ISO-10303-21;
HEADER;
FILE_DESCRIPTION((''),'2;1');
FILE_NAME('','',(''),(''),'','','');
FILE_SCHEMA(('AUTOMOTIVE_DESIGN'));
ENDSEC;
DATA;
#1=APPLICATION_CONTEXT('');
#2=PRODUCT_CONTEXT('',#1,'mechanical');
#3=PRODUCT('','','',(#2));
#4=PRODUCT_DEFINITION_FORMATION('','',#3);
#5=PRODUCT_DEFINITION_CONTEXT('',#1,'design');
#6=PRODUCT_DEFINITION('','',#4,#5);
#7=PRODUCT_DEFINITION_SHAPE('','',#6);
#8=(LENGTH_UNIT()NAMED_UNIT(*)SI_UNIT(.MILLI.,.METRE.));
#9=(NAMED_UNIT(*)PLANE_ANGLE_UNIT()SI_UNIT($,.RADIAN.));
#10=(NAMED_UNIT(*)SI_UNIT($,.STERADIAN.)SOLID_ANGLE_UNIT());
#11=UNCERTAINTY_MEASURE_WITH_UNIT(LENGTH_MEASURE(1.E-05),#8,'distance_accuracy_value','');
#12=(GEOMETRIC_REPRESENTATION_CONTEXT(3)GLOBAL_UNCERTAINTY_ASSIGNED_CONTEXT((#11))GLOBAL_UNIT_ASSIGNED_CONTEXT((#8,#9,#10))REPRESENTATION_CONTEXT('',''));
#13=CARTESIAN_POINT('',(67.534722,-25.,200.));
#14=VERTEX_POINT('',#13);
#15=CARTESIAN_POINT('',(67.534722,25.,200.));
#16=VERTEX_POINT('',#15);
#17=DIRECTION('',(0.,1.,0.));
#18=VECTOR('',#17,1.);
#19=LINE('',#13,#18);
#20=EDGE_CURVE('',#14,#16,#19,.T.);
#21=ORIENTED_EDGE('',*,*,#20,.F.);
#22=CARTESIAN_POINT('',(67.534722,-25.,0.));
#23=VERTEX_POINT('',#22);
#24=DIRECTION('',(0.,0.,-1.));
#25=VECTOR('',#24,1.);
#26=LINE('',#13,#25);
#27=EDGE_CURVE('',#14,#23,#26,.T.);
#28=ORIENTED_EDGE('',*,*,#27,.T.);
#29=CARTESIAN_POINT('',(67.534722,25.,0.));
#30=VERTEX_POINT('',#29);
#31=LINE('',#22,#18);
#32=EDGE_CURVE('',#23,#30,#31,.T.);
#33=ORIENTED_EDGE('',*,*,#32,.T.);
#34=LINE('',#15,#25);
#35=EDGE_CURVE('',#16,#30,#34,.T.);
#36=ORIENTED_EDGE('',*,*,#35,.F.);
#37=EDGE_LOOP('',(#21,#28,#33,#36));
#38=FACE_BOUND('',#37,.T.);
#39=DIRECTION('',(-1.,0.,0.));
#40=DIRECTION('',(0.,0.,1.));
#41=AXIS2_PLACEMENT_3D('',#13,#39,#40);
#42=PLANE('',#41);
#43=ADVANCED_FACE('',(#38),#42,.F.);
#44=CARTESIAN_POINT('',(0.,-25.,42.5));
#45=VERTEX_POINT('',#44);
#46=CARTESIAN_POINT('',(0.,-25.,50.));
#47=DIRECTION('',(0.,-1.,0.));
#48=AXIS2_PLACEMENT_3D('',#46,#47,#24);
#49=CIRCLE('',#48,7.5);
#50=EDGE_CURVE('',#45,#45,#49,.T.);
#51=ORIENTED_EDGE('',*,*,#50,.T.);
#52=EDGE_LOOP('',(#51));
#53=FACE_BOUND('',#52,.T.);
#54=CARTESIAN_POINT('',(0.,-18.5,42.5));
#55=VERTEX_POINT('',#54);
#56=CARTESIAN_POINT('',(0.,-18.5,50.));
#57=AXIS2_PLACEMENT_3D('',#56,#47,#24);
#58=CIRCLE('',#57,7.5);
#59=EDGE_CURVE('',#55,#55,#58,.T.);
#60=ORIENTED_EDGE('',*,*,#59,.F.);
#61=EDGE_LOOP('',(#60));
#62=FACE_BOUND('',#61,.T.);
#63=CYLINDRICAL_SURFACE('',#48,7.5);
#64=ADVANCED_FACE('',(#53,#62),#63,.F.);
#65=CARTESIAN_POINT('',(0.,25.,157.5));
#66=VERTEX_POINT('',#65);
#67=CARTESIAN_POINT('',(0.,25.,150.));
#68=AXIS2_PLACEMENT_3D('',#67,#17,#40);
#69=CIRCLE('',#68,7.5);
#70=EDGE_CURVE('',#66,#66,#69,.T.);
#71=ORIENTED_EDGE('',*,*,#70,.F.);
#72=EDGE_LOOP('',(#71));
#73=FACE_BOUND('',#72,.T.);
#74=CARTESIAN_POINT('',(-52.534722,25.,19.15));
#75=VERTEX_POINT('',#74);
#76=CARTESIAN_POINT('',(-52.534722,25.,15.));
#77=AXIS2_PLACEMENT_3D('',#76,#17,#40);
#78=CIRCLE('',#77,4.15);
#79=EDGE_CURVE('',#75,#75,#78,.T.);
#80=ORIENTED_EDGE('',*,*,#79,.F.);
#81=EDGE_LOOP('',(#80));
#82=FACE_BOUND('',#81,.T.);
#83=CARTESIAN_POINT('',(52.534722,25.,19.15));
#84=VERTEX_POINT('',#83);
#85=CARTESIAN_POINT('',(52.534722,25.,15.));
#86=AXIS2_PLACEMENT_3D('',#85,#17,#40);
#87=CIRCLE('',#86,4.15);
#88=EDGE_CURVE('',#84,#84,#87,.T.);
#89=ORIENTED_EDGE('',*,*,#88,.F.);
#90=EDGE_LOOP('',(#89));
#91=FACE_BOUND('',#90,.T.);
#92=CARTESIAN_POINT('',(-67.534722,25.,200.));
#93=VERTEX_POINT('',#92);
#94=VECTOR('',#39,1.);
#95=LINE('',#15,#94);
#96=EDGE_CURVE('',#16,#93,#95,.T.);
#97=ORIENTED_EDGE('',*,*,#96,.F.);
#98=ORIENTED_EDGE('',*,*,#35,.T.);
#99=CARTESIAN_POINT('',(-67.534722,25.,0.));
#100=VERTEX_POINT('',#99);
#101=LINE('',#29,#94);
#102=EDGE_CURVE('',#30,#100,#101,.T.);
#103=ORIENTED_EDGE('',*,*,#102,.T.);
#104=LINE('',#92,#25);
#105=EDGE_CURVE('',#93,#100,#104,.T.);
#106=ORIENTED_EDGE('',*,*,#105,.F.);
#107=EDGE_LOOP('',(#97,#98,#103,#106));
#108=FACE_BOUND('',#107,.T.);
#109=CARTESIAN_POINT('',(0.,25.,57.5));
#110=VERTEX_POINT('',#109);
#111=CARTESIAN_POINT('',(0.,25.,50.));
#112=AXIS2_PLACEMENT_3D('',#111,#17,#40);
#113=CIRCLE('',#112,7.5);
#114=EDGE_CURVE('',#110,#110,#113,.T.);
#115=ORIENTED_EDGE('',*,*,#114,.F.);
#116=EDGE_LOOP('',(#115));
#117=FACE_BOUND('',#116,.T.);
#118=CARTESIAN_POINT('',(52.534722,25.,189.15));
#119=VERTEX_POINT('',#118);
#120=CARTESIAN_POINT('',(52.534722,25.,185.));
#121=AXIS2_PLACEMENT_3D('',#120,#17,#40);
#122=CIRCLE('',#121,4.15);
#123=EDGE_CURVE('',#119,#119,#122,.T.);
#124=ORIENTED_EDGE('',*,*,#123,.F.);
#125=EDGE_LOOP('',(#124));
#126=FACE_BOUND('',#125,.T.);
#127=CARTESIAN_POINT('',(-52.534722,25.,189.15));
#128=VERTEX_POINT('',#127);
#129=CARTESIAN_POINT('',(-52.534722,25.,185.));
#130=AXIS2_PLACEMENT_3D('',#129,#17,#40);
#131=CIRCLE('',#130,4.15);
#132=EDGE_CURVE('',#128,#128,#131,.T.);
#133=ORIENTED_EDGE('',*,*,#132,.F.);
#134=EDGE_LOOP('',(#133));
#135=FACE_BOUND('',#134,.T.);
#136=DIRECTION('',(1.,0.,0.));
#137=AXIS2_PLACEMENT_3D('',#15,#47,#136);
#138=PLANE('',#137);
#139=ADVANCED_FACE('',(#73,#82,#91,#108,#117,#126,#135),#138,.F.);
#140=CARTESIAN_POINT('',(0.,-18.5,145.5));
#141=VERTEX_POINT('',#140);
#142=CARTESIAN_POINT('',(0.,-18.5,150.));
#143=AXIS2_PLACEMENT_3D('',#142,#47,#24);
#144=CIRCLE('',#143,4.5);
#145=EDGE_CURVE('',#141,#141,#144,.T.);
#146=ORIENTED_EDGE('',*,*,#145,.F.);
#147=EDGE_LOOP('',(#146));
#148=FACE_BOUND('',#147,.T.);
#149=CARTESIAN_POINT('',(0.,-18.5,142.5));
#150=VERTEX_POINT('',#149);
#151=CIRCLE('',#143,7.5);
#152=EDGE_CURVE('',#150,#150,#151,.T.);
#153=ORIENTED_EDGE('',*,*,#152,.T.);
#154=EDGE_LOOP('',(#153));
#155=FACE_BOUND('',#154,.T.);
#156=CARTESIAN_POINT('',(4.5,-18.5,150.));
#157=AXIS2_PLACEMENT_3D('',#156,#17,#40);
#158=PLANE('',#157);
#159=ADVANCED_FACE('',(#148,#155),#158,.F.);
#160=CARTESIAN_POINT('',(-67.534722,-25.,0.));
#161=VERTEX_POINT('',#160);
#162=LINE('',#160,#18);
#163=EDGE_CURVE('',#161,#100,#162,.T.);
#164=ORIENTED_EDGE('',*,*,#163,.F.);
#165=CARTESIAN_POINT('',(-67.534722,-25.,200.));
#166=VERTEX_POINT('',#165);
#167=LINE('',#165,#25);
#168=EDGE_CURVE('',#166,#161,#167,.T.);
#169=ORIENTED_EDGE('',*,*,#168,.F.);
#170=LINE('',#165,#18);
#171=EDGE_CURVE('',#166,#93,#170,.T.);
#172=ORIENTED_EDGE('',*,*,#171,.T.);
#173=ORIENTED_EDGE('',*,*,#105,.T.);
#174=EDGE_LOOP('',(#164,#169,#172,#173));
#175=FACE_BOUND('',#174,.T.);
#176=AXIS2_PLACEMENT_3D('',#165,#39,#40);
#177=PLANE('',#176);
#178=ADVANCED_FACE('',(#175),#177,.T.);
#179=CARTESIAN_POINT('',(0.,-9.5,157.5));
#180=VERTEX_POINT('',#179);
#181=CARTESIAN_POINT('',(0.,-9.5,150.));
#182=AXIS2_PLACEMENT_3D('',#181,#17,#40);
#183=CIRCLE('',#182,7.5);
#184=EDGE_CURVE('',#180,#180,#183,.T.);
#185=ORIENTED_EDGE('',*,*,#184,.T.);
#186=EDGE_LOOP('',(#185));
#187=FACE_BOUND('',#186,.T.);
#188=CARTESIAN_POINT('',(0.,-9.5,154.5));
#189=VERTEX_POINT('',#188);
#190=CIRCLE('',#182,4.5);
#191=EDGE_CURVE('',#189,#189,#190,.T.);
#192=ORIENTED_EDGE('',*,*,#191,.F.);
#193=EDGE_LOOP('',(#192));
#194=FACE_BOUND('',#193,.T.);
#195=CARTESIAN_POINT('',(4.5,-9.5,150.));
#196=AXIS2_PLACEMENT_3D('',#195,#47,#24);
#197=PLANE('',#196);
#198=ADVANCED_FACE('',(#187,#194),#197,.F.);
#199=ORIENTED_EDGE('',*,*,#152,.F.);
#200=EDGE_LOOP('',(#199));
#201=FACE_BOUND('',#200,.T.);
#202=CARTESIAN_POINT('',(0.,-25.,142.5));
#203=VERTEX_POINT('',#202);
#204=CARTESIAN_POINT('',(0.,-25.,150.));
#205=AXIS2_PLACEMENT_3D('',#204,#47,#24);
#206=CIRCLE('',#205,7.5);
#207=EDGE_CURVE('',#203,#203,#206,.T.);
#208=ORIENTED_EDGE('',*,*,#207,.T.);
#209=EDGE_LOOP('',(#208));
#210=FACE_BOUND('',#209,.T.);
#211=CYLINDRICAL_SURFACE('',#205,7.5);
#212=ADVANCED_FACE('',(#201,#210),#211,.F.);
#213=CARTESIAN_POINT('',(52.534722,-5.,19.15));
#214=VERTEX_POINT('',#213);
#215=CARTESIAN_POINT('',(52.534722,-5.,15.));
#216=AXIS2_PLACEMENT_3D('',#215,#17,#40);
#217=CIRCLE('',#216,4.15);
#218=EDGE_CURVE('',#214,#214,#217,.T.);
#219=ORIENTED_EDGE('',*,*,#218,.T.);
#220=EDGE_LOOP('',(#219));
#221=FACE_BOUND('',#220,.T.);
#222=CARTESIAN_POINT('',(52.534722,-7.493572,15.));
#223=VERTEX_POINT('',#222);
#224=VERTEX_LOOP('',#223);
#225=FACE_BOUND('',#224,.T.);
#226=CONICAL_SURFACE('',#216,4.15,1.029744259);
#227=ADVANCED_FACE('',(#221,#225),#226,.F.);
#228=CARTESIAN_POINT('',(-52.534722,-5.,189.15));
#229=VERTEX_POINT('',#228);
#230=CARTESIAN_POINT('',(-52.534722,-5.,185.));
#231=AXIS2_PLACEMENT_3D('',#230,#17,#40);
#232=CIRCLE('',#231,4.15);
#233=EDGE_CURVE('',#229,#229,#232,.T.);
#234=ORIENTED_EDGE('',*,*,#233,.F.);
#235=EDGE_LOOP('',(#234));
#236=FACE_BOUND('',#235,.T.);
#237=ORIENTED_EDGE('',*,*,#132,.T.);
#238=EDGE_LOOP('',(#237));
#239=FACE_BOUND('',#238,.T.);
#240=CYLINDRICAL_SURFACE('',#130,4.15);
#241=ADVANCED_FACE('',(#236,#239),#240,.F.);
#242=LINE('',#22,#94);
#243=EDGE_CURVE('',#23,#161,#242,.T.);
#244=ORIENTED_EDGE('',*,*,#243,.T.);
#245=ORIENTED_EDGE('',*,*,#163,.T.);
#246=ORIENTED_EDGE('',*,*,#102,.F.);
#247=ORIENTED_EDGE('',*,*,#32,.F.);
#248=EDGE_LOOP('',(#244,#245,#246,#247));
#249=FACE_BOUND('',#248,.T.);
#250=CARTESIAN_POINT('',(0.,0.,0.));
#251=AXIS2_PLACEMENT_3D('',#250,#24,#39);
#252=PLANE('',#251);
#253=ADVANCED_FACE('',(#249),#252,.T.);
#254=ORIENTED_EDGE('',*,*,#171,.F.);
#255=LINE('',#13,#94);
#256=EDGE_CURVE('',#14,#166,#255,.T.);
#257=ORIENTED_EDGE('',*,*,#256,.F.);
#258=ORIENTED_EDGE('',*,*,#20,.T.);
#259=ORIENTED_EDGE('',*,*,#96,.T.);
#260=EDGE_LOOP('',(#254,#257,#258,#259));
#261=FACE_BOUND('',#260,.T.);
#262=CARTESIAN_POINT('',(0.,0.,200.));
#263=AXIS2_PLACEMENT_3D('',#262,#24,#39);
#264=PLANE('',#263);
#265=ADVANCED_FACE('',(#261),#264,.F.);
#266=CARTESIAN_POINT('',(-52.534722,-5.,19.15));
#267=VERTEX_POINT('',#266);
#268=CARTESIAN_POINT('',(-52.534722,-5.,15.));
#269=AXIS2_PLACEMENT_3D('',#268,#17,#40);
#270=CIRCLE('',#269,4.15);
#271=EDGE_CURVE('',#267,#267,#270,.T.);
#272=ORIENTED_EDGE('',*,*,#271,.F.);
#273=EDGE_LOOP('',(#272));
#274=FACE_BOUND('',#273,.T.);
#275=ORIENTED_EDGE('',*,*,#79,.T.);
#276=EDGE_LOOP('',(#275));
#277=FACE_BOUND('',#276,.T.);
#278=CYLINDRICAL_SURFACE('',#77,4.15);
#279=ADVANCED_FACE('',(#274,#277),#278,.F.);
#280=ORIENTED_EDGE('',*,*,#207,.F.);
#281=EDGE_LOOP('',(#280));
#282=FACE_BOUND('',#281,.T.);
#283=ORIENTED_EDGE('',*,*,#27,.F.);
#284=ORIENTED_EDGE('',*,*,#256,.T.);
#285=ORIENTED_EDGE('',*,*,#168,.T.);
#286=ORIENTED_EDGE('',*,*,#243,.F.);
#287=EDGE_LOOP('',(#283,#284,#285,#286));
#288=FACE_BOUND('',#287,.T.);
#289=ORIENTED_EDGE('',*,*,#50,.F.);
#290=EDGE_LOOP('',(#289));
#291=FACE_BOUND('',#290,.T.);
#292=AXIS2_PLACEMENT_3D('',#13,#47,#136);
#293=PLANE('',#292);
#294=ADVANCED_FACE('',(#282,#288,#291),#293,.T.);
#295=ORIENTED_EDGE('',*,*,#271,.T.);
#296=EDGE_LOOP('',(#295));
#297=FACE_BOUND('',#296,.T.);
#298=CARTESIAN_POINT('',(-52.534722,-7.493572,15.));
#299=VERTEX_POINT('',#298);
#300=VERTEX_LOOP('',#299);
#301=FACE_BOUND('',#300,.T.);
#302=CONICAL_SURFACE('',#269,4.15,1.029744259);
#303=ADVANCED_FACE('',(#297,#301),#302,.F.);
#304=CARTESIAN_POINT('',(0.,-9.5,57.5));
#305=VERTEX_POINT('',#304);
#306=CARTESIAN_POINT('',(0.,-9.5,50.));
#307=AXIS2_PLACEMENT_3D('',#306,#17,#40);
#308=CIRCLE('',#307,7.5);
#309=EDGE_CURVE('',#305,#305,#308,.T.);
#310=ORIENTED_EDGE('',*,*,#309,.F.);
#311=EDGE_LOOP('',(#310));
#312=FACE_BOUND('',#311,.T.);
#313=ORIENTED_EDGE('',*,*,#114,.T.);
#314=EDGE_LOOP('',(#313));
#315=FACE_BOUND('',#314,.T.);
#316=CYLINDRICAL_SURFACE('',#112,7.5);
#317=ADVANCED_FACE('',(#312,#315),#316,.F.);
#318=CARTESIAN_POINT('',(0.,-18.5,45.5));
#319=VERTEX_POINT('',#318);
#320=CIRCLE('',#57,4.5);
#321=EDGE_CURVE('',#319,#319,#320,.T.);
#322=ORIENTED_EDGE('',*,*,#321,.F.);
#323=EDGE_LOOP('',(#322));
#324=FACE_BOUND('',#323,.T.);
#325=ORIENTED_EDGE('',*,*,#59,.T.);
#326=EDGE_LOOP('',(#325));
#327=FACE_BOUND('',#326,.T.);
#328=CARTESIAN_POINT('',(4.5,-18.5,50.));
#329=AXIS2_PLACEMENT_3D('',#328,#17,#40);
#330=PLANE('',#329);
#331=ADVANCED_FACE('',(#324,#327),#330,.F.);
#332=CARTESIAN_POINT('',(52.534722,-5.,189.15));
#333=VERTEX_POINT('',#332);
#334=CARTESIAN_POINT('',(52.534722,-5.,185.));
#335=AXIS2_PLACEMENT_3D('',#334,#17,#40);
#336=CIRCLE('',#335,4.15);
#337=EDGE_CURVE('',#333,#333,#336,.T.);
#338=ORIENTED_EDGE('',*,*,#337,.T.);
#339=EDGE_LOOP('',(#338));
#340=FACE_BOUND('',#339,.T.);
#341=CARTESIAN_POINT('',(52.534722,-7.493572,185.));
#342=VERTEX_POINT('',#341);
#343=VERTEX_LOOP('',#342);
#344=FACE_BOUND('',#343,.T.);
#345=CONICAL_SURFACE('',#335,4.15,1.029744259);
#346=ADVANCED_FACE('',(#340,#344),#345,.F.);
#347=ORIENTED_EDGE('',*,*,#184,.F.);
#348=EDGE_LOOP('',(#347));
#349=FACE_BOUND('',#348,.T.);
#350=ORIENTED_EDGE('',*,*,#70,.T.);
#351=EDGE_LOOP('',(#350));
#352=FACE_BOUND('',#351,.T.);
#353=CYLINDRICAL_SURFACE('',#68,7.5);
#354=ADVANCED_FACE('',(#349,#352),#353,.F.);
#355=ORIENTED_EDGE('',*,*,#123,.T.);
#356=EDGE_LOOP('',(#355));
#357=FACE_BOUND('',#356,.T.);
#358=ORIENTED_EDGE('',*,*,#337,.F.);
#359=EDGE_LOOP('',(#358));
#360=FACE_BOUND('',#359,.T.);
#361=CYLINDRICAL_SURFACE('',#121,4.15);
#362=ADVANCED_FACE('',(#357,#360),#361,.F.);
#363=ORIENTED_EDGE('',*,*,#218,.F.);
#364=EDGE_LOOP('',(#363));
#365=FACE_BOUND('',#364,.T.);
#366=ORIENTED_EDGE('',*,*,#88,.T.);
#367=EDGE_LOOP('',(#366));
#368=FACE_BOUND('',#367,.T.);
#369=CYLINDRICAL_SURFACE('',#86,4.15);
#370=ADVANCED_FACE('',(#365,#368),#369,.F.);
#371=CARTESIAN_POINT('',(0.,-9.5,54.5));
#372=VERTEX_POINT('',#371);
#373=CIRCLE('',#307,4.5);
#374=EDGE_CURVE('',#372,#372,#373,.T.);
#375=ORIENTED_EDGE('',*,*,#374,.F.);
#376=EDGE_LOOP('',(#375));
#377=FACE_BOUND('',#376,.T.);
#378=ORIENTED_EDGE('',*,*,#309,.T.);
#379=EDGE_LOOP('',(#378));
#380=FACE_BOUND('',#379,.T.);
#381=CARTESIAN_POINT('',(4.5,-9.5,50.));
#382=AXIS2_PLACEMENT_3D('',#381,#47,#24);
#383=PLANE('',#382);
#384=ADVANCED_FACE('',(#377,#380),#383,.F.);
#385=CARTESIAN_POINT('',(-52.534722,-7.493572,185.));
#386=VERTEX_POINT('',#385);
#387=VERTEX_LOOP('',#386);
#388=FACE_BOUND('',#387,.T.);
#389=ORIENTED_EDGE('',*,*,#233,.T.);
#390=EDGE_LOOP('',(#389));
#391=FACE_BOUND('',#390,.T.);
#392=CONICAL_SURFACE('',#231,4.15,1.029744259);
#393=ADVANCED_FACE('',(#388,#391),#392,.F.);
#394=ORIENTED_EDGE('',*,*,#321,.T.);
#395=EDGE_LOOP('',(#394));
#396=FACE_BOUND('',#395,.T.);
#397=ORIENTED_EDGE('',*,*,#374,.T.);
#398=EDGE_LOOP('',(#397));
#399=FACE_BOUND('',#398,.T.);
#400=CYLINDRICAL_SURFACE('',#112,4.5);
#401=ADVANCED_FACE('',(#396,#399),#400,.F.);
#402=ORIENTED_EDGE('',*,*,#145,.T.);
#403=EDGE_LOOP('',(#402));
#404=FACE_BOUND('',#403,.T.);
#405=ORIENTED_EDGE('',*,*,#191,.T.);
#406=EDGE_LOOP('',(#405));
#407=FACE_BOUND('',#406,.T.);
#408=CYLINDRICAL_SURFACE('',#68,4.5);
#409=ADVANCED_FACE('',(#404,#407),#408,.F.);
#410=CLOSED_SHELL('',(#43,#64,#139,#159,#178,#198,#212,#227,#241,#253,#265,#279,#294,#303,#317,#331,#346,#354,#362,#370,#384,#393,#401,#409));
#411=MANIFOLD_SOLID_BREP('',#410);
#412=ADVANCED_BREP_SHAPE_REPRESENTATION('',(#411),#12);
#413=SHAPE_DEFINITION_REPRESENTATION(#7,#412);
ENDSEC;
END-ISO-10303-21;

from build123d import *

# Parameters (mm, degrees)
SKIZZE1_W                                           = 135.069444444
SKIZZE1_H                                           = 50
AUFSATZ_LINEAR_AUSTRAGEN1_DEPTH                     = 200
STIRNSENKUNG_F_R_M8_SENKSCHRAUBE_KOPF_B_D           = 9
STIRNSENKUNG_F_R_M8_SENKSCHRAUBE_KOPF_B_CBORE_D     = 15
STIRNSENKUNG_F_R_M8_SENKSCHRAUBE_KOPF_B_CBORE_DEPTH = 34.5
STIRNSENKUNG_F_R_M8_SENKSCHRAUBE_KO_2_D             = 9
STIRNSENKUNG_F_R_M8_SENKSCHRAUBE_KO_2_DEPTH         = 50
STIRNSENKUNG_F_R_M8_SENKSCHRAUBE_KO_2_CBORE_D       = 15
STIRNSENKUNG_F_R_M8_SENKSCHRAUBE_KO_2_CBORE_DEPTH   = 6.5


with BuildPart() as part:
    # Skizze1 → Aufsatz-Linear austragen1 (new body)
    with BuildSketch(Plane.XY):
        Rectangle(SKIZZE1_W, SKIZZE1_H)
    extrude(amount=AUFSATZ_LINEAR_AUSTRAGEN1_DEPTH)

    # Stirnsenkung f_r M8 Senkschraube _Kopf B (through all)
    with Locations(Plane(origin=(0, 25, 0), x_dir=(1, 0, 0), z_dir=(0, 1, 0))):
        with Locations((0, -150)):
            stirnsenkung_f_r_m8_senkschraube_kopf_b = CounterBoreHole(STIRNSENKUNG_F_R_M8_SENKSCHRAUBE_KOPF_B_D / 2, STIRNSENKUNG_F_R_M8_SENKSCHRAUBE_KOPF_B_CBORE_D / 2, STIRNSENKUNG_F_R_M8_SENKSCHRAUBE_KOPF_B_CBORE_DEPTH)

    # Stirnsenkung f_r M8 Senkschraube _Ko 2
    with Locations(Plane(origin=(0, -25, 0), x_dir=(-1, 0, 0), z_dir=(0, -1, 0))):
        with Locations((0, -150)):
            stirnsenkung_f_r_m8_senkschraube_ko_2 = CounterBoreHole(STIRNSENKUNG_F_R_M8_SENKSCHRAUBE_KO_2_D / 2, STIRNSENKUNG_F_R_M8_SENKSCHRAUBE_KO_2_CBORE_D / 2, STIRNSENKUNG_F_R_M8_SENKSCHRAUBE_KO_2_CBORE_DEPTH, depth=STIRNSENKUNG_F_R_M8_SENKSCHRAUBE_KO_2_DEPTH)

    # Spiegeln1: Stirnsenkung f_r M8 Senkschraube _Kopf B, Stirnsenkung f_r M8 Senkschraube _Ko 2 across plane
    add(stirnsenkung_f_r_m8_senkschraube_kopf_b.mirror(Plane.XY.offset(100)), mode=Mode.SUBTRACT)
    add(stirnsenkung_f_r_m8_senkschraube_ko_2.mirror(Plane.XY.offset(100)), mode=Mode.SUBTRACT)

    # Skizze10 → Kernloch für M8 Helicoil1 (revolve, cut)
    with BuildSketch(Plane(origin=(-52.534722222, 25, 185), x_dir=(0, 0, 1), z_dir=(1, 0, 0))):
        Polygon((0, 0), (0, 32.493571569), (4.15, 30), (4.15, 0), align=None)
    kernloch_f_r_m8_helicoil1 = revolve(axis=Axis((-52.534722222, 31.35, 185), (0, -1, 0)), mode=Mode.SUBTRACT)

    # Spiegeln2: Kernloch für M8 Helicoil1 across plane
    add(kernloch_f_r_m8_helicoil1.mirror(Plane(origin=(0, 0, 0), x_dir=(0, 0, 1), z_dir=(1, 0, 0))), mode=Mode.SUBTRACT)

    # Spiegeln3: Kernloch für M8 Helicoil1 across plane
    add(kernloch_f_r_m8_helicoil1.mirror(Plane.XY.offset(100)), mode=Mode.SUBTRACT)

    # Spiegeln3 copy 1 sketch → Spiegeln3 copy 1 (revolve, cut)
    with BuildSketch(Plane(origin=(52.534722222, 25, 15), x_dir=(0, 0, -1), z_dir=(-1, 0, 0))):
        Polygon((0, 0), (0, 32.493571569), (4.15, 30), (4.15, 0), align=None)
    revolve(axis=Axis((52.534722222, 31.35, 15), (0, -1, 0)), mode=Mode.SUBTRACT)


solid = part.part
